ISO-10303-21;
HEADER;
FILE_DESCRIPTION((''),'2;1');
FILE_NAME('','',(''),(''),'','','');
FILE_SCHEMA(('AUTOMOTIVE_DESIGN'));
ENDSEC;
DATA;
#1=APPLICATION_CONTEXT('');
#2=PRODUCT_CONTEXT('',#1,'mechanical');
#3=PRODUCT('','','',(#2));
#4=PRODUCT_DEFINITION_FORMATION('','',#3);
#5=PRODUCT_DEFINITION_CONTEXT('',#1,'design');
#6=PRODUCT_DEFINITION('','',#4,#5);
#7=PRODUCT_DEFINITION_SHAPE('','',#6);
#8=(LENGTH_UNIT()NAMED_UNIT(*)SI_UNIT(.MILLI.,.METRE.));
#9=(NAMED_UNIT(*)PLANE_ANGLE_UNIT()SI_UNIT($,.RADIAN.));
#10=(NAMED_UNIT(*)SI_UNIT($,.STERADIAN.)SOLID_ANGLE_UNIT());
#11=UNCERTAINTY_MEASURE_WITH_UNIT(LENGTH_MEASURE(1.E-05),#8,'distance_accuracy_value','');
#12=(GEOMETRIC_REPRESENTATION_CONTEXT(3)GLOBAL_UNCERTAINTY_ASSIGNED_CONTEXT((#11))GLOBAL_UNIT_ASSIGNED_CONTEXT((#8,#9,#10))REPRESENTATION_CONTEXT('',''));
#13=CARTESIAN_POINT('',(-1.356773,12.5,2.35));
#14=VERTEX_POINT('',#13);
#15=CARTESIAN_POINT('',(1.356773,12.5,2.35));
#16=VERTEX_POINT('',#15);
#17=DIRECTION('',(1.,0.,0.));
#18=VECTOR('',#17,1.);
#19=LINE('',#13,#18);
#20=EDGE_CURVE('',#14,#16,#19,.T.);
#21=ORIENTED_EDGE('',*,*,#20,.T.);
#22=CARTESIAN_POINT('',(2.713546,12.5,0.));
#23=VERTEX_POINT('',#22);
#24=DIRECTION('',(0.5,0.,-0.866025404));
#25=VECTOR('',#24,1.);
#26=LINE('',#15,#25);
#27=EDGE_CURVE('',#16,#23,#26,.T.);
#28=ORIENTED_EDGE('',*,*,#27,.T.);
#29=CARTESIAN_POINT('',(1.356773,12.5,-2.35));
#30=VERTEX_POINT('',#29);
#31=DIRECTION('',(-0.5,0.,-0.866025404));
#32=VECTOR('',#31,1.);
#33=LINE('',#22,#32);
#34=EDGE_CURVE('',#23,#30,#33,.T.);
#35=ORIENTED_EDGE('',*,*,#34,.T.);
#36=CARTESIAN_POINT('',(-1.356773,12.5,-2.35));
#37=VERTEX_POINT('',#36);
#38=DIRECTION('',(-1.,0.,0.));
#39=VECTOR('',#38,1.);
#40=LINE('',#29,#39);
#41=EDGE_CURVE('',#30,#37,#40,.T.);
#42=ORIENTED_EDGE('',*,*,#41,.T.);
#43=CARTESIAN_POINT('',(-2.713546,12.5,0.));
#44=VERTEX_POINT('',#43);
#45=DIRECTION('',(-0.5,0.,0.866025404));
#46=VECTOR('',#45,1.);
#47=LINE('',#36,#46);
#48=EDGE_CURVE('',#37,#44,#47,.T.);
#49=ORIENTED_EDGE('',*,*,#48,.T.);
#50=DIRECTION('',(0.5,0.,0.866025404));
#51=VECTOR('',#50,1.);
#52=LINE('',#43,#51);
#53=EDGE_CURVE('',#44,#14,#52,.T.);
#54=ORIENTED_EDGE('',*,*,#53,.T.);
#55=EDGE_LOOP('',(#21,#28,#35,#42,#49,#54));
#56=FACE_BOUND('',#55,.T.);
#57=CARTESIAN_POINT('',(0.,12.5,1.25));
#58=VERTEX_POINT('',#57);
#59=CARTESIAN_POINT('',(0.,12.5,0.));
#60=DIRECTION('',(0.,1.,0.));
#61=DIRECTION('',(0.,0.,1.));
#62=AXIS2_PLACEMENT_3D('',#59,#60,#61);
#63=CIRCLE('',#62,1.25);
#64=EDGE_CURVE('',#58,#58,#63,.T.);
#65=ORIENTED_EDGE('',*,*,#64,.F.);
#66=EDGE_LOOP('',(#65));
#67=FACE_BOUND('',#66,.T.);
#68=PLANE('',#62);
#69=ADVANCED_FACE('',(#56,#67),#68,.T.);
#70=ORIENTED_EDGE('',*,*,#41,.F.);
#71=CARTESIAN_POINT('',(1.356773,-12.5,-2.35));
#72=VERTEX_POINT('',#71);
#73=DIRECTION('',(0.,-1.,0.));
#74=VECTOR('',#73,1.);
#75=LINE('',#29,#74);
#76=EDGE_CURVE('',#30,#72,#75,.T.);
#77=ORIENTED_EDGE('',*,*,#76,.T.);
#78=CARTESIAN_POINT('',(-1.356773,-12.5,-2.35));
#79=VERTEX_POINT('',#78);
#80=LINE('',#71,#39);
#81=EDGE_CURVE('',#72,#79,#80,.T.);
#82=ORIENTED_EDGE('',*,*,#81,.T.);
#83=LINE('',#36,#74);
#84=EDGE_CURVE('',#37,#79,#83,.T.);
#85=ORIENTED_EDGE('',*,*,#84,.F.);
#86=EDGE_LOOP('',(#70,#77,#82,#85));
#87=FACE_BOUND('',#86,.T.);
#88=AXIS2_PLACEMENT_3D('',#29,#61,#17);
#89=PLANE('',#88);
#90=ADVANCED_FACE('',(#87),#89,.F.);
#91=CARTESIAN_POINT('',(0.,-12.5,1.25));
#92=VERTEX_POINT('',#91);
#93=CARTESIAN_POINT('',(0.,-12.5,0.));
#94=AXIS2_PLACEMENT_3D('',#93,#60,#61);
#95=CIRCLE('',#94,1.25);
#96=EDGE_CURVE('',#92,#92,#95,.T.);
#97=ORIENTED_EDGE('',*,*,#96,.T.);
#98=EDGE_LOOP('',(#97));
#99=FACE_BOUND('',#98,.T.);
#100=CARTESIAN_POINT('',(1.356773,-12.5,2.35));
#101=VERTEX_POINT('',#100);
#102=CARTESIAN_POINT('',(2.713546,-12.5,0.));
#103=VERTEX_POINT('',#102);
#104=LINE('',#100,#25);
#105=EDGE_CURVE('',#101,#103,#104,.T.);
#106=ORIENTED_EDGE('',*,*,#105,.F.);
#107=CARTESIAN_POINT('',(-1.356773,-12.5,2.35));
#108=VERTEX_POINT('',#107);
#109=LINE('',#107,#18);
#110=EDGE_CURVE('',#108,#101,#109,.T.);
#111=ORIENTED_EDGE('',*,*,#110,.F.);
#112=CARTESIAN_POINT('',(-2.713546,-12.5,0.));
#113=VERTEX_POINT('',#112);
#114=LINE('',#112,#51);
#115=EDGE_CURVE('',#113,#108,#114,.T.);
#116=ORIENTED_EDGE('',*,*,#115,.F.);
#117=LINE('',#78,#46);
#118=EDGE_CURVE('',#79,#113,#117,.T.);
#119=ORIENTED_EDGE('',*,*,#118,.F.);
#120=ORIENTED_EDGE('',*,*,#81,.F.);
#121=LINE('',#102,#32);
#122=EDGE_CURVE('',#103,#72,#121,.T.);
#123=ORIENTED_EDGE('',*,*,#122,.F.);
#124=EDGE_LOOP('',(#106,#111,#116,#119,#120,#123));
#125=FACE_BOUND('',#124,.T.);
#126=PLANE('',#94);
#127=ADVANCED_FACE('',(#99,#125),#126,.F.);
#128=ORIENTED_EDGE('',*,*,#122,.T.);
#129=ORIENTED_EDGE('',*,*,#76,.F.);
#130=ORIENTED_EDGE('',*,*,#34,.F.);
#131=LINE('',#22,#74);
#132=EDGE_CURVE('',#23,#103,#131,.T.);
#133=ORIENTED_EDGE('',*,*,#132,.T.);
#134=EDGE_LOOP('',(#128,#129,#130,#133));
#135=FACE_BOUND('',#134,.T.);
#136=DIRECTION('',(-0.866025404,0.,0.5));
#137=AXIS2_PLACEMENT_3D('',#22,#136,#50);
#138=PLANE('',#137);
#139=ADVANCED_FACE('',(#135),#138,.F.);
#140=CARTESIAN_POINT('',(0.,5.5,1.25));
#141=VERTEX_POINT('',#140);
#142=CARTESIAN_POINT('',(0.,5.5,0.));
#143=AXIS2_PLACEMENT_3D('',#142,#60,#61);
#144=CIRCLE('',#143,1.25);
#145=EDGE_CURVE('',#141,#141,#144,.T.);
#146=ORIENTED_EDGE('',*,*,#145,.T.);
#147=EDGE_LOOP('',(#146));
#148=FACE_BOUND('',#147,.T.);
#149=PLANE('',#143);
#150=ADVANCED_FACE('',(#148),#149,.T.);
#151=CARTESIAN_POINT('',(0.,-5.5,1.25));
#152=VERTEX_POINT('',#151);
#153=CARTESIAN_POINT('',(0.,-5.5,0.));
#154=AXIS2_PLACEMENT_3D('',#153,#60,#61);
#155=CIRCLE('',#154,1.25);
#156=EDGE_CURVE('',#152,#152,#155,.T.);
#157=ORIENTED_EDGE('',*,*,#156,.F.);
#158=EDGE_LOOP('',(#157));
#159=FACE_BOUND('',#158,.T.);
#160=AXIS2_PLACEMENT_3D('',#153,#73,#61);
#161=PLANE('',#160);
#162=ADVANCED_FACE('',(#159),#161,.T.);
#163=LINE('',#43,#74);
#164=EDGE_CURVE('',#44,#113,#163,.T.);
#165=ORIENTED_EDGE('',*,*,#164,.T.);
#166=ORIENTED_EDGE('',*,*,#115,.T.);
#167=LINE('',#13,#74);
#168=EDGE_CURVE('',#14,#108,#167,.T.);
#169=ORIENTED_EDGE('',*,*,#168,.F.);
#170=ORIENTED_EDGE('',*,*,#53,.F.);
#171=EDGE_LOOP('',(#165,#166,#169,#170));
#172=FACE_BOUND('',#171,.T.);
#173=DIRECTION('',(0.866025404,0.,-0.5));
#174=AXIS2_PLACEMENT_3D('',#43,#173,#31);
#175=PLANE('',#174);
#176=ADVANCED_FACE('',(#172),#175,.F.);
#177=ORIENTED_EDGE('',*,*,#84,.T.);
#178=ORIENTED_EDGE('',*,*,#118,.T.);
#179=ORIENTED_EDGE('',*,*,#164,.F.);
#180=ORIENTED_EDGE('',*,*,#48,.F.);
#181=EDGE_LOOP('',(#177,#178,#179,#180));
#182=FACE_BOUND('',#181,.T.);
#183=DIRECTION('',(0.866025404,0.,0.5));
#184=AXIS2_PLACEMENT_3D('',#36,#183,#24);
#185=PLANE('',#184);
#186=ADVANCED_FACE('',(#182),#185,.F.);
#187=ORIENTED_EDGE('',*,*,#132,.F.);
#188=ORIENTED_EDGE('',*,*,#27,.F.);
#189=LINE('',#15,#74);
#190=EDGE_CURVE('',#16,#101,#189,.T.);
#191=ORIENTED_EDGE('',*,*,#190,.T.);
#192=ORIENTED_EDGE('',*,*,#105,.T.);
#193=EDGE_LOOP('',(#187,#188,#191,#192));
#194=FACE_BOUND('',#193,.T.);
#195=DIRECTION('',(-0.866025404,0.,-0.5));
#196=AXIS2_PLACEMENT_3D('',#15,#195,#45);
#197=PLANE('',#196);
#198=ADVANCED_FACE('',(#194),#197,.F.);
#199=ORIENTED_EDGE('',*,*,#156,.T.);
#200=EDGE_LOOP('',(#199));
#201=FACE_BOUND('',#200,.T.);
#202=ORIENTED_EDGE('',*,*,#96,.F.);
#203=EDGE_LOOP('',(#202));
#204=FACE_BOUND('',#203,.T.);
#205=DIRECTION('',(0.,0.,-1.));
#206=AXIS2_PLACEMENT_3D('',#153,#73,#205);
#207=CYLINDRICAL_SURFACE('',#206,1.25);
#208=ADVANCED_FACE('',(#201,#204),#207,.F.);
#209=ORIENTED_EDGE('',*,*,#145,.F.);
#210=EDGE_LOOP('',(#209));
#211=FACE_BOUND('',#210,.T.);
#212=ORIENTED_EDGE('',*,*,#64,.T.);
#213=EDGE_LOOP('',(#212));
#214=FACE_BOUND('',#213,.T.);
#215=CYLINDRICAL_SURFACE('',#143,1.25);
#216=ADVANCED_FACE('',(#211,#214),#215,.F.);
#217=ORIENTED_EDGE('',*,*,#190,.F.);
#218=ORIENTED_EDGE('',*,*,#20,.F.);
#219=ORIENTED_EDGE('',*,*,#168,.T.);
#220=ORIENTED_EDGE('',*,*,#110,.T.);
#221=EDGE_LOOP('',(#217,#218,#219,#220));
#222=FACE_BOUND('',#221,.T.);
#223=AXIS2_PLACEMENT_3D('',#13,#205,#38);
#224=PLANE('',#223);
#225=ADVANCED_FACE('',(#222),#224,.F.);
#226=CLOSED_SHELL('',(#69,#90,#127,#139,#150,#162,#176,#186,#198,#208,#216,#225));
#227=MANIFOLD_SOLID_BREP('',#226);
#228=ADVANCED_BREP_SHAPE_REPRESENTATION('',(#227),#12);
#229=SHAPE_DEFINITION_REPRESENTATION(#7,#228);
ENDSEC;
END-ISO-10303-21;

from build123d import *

# Parameters (mm, degrees)
BOSS_EXTRUDE1_DEPTH = 12.5
SKETCH3_R           = 1.25
CUT_EXTRUDE1_DEPTH  = 7


with BuildPart() as part:
    # Sketch1 → Boss-Extrude1 (new, symmetric)
    with BuildSketch(Plane(origin=(0, 0, 0), x_dir=(1, 0, 0), z_dir=(0, 1, 0))):
        Polygon((1.356773133, 2.35), (-1.356773133, 2.35), (-2.713546265, 0), (-1.356773133, -2.35), (1.356773133, -2.35), (2.713546265, 0), align=None)
    extrude(amount=BOSS_EXTRUDE1_DEPTH, both=True)

    # Sketch3 → Cut-Extrude1 (cut)
    with BuildSketch(Plane(origin=(0, 12.5, 0), x_dir=(1, 0, 0), z_dir=(0, 1, 0))):
        with Locations(Location((0, 0, 0), (0, 0, 270))):
            Circle(SKETCH3_R)
    cut_extrude1 = extrude(amount=-CUT_EXTRUDE1_DEPTH, mode=Mode.SUBTRACT)

    # Mirror1: Cut-Extrude1 across plane
    add(cut_extrude1.mirror(Plane.ZX), mode=Mode.SUBTRACT)


solid = part.part
